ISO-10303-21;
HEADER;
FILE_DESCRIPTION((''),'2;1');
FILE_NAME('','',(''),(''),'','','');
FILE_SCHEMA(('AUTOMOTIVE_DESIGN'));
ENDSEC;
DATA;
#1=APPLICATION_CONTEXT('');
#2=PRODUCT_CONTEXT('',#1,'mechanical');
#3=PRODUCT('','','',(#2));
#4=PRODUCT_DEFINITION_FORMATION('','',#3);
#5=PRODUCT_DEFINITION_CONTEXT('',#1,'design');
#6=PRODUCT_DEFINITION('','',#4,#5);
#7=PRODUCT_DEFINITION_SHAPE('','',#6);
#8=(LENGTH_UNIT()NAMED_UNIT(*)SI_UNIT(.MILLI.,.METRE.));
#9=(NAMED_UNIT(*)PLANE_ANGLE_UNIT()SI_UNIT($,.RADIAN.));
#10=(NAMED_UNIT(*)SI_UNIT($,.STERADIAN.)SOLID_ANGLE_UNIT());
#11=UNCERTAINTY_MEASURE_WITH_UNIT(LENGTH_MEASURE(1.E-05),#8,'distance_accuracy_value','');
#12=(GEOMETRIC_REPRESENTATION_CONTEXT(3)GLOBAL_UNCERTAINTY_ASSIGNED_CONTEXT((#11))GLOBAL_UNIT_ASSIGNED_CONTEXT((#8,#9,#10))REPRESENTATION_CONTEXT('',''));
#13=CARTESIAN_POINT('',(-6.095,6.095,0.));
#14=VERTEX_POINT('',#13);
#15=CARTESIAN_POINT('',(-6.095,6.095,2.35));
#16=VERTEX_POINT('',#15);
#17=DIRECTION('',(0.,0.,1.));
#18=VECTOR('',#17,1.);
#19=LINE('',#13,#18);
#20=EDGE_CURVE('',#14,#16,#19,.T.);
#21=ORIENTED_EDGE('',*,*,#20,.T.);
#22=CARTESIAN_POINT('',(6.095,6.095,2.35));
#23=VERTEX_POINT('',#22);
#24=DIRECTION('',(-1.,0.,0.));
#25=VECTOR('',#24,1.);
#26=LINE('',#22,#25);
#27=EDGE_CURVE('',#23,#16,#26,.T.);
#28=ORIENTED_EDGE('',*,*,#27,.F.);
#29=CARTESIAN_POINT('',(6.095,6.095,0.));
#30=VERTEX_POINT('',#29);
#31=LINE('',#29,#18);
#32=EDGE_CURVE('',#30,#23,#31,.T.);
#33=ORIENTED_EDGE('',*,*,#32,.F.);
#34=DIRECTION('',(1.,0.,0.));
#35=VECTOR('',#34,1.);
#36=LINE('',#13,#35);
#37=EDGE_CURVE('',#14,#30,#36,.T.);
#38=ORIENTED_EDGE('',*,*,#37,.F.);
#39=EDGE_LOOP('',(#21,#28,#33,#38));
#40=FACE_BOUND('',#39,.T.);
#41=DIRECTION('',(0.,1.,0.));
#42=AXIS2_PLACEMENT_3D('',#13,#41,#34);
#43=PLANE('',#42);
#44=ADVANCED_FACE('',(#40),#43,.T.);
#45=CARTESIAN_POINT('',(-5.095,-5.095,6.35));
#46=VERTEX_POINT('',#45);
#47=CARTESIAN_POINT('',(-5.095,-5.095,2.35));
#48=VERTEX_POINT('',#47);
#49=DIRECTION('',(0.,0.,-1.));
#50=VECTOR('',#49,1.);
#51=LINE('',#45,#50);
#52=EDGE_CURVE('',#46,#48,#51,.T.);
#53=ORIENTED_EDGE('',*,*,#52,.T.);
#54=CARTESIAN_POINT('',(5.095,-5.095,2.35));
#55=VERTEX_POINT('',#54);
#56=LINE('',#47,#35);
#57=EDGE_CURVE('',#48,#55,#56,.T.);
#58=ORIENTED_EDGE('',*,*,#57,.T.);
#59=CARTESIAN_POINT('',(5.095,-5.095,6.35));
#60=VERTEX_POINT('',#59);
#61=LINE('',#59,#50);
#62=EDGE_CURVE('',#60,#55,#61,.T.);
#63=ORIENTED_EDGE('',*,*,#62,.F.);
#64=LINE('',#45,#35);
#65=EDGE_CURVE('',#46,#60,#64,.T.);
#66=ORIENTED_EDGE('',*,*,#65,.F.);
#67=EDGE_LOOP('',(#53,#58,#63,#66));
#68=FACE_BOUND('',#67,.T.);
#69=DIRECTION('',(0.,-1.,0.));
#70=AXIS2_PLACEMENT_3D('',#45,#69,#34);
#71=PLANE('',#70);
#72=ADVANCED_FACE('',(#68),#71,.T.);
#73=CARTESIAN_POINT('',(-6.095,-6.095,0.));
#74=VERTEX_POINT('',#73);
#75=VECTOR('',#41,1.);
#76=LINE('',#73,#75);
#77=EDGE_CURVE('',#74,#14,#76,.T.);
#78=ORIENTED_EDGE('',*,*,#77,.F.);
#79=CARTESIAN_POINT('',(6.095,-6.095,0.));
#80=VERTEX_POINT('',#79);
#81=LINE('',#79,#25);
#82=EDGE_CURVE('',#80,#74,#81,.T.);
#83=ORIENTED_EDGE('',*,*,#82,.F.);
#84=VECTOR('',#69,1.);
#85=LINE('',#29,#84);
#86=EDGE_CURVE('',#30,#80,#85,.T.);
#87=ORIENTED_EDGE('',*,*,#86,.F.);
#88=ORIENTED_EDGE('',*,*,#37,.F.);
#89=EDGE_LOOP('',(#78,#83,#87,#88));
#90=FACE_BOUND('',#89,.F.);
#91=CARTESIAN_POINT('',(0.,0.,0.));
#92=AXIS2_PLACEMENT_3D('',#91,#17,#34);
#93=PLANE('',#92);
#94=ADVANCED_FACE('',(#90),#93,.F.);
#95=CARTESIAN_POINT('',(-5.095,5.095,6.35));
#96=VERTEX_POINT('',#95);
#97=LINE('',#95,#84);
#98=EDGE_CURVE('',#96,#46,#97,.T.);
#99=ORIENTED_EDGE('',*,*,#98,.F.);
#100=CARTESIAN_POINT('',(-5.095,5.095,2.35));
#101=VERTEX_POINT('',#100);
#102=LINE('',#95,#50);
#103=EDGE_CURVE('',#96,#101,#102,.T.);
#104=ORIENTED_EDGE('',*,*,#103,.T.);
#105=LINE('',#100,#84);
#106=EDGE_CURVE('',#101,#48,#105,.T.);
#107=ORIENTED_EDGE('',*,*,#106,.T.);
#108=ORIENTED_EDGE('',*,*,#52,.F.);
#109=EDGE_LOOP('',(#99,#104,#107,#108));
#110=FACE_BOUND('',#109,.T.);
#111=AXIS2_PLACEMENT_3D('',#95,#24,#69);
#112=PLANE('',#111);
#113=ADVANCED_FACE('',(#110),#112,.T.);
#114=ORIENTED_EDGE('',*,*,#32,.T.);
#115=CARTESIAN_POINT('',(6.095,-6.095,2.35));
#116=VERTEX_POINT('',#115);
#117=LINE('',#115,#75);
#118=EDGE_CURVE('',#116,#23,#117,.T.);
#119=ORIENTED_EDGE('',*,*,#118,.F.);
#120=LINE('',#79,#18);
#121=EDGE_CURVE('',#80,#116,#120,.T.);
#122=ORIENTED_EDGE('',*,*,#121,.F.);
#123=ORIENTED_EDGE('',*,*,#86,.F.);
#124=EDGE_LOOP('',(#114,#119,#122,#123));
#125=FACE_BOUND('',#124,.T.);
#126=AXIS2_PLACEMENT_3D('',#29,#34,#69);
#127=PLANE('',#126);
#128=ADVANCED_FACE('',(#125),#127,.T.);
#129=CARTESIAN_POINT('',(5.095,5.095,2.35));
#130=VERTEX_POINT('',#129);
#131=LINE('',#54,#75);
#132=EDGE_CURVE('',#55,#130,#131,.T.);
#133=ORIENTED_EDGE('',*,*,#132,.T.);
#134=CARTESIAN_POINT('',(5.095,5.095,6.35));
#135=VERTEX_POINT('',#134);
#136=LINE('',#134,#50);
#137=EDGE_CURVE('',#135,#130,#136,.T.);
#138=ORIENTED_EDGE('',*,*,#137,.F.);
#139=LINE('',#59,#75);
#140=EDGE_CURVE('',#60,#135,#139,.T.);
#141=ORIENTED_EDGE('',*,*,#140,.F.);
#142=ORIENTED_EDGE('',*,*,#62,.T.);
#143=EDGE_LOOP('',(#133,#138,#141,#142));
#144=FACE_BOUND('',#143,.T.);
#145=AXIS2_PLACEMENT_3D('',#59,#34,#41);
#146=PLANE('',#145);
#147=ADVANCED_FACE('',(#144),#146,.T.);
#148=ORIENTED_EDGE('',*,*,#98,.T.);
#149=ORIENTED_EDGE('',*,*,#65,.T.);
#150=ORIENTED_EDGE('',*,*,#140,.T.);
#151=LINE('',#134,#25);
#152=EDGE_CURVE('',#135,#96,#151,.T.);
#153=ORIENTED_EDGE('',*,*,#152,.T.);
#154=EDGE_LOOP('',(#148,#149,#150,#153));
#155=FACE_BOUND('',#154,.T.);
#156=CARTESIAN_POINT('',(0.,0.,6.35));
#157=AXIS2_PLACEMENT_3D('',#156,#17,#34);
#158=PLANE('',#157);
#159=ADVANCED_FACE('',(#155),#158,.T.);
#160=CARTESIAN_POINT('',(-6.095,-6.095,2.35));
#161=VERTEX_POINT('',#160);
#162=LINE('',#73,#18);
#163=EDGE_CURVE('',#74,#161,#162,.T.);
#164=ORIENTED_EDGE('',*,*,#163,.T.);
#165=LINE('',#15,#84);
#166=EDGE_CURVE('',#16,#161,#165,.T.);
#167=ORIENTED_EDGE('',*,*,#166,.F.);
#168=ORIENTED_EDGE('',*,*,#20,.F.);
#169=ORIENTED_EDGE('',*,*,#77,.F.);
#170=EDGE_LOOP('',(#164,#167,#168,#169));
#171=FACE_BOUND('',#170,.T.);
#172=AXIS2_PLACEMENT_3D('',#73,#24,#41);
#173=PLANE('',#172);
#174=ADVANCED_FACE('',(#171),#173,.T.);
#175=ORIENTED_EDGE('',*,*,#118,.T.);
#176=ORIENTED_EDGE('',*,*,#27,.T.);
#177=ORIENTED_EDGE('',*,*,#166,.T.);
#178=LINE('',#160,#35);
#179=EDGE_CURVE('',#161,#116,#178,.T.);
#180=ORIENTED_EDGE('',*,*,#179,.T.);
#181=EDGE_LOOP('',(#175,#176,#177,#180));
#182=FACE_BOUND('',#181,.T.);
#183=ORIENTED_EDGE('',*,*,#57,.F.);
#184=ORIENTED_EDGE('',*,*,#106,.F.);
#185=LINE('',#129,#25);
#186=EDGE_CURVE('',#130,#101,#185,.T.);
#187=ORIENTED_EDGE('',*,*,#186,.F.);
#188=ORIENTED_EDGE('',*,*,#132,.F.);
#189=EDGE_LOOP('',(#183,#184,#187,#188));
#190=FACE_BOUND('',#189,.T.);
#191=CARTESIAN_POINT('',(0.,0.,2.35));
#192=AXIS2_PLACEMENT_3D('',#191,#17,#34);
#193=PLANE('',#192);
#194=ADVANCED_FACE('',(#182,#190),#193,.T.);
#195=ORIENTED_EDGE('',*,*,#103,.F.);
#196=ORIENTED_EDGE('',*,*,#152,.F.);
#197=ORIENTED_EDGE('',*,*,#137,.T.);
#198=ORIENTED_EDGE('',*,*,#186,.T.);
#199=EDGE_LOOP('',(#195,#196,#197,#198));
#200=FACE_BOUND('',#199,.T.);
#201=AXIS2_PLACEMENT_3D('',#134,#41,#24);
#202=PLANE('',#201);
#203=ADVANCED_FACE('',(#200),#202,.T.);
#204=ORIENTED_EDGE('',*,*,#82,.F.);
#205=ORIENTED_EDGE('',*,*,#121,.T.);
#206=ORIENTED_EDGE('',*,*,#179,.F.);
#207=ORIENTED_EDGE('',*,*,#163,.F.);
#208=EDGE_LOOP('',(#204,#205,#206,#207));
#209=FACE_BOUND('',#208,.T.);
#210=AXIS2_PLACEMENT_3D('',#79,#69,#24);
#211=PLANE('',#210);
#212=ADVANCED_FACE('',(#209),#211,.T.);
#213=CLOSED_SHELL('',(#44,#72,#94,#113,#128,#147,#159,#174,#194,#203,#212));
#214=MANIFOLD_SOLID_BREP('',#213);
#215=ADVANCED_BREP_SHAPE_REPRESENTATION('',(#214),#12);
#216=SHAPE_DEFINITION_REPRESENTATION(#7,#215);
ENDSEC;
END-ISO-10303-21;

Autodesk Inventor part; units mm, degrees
ref_plane "YZ Plane" through (0, 0, 0) normal (1, 0, 0) x (0, 1, 0)
ref_plane "XZ Plane" through (0, 0, 0) normal (0, 1, 0) x (-1, 0, 0)
ref_plane "XY Plane" through (0, 0, 0) normal (0, 0, 1) x (1, 0, 0)
sketch "スケッチ1" plane through (0, 0, 0) normal (0, 0, 1) x (1, 0, 0)
  line L0 (-6.095, 6.095) -> (6.095, 6.095)
  line L1 (6.095, 6.095) -> (6.095, -6.095)
  line L2 (6.095, -6.095) -> (-6.095, -6.095)
  line L3 (-6.095, -6.095) -> (-6.095, 6.095)
  line L4 (-6.095, 6.095) -> (6.095, -6.095) construction
  line L5 (6.095, 6.095) -> (-6.095, -6.095) construction
  point P0 (0, 0)
  dimension "d0" = 12.19
  dimension "d1" = 12.19
extrude "押し出し1" add sketch "スケッチ1" along normal blind 6.35
sketch "スケッチ2" plane through (0, 0, 6.35) normal (0, 0, 1) x (1, 0, 0)
  line L0 (6.095, 6.095) -> (-6.095, 6.095) projected
  line L1 (-6.095, -6.095) -> (6.095, -6.095)
  line L2 (6.095, -6.095) -> (6.095, 6.095)
  line L3 (6.095, 6.095) -> (-6.095, 6.095)
  line L4 (-6.095, 6.095) -> (-6.095, -6.095)
  line L5 (-6.095, -6.095) -> (6.095, 6.095) construction
  line L6 (6.095, -6.095) -> (-6.095, 6.095) construction
  line L7 (-5.095, -5.095) -> (5.095, -5.095)
  line L8 (5.095, -5.095) -> (5.095, 5.095)
  line L9 (5.095, 5.095) -> (-5.095, 5.095)
  line L10 (-5.095, 5.095) -> (-5.095, -5.095)
  point P0 (0, 0)
  dimension "d4" = 1
extrude "押し出し2" cut sketch "スケッチ2" against normal blind 4
properties part number "Circuit_DCDCconverter_OKL-T3-W12N-C"
